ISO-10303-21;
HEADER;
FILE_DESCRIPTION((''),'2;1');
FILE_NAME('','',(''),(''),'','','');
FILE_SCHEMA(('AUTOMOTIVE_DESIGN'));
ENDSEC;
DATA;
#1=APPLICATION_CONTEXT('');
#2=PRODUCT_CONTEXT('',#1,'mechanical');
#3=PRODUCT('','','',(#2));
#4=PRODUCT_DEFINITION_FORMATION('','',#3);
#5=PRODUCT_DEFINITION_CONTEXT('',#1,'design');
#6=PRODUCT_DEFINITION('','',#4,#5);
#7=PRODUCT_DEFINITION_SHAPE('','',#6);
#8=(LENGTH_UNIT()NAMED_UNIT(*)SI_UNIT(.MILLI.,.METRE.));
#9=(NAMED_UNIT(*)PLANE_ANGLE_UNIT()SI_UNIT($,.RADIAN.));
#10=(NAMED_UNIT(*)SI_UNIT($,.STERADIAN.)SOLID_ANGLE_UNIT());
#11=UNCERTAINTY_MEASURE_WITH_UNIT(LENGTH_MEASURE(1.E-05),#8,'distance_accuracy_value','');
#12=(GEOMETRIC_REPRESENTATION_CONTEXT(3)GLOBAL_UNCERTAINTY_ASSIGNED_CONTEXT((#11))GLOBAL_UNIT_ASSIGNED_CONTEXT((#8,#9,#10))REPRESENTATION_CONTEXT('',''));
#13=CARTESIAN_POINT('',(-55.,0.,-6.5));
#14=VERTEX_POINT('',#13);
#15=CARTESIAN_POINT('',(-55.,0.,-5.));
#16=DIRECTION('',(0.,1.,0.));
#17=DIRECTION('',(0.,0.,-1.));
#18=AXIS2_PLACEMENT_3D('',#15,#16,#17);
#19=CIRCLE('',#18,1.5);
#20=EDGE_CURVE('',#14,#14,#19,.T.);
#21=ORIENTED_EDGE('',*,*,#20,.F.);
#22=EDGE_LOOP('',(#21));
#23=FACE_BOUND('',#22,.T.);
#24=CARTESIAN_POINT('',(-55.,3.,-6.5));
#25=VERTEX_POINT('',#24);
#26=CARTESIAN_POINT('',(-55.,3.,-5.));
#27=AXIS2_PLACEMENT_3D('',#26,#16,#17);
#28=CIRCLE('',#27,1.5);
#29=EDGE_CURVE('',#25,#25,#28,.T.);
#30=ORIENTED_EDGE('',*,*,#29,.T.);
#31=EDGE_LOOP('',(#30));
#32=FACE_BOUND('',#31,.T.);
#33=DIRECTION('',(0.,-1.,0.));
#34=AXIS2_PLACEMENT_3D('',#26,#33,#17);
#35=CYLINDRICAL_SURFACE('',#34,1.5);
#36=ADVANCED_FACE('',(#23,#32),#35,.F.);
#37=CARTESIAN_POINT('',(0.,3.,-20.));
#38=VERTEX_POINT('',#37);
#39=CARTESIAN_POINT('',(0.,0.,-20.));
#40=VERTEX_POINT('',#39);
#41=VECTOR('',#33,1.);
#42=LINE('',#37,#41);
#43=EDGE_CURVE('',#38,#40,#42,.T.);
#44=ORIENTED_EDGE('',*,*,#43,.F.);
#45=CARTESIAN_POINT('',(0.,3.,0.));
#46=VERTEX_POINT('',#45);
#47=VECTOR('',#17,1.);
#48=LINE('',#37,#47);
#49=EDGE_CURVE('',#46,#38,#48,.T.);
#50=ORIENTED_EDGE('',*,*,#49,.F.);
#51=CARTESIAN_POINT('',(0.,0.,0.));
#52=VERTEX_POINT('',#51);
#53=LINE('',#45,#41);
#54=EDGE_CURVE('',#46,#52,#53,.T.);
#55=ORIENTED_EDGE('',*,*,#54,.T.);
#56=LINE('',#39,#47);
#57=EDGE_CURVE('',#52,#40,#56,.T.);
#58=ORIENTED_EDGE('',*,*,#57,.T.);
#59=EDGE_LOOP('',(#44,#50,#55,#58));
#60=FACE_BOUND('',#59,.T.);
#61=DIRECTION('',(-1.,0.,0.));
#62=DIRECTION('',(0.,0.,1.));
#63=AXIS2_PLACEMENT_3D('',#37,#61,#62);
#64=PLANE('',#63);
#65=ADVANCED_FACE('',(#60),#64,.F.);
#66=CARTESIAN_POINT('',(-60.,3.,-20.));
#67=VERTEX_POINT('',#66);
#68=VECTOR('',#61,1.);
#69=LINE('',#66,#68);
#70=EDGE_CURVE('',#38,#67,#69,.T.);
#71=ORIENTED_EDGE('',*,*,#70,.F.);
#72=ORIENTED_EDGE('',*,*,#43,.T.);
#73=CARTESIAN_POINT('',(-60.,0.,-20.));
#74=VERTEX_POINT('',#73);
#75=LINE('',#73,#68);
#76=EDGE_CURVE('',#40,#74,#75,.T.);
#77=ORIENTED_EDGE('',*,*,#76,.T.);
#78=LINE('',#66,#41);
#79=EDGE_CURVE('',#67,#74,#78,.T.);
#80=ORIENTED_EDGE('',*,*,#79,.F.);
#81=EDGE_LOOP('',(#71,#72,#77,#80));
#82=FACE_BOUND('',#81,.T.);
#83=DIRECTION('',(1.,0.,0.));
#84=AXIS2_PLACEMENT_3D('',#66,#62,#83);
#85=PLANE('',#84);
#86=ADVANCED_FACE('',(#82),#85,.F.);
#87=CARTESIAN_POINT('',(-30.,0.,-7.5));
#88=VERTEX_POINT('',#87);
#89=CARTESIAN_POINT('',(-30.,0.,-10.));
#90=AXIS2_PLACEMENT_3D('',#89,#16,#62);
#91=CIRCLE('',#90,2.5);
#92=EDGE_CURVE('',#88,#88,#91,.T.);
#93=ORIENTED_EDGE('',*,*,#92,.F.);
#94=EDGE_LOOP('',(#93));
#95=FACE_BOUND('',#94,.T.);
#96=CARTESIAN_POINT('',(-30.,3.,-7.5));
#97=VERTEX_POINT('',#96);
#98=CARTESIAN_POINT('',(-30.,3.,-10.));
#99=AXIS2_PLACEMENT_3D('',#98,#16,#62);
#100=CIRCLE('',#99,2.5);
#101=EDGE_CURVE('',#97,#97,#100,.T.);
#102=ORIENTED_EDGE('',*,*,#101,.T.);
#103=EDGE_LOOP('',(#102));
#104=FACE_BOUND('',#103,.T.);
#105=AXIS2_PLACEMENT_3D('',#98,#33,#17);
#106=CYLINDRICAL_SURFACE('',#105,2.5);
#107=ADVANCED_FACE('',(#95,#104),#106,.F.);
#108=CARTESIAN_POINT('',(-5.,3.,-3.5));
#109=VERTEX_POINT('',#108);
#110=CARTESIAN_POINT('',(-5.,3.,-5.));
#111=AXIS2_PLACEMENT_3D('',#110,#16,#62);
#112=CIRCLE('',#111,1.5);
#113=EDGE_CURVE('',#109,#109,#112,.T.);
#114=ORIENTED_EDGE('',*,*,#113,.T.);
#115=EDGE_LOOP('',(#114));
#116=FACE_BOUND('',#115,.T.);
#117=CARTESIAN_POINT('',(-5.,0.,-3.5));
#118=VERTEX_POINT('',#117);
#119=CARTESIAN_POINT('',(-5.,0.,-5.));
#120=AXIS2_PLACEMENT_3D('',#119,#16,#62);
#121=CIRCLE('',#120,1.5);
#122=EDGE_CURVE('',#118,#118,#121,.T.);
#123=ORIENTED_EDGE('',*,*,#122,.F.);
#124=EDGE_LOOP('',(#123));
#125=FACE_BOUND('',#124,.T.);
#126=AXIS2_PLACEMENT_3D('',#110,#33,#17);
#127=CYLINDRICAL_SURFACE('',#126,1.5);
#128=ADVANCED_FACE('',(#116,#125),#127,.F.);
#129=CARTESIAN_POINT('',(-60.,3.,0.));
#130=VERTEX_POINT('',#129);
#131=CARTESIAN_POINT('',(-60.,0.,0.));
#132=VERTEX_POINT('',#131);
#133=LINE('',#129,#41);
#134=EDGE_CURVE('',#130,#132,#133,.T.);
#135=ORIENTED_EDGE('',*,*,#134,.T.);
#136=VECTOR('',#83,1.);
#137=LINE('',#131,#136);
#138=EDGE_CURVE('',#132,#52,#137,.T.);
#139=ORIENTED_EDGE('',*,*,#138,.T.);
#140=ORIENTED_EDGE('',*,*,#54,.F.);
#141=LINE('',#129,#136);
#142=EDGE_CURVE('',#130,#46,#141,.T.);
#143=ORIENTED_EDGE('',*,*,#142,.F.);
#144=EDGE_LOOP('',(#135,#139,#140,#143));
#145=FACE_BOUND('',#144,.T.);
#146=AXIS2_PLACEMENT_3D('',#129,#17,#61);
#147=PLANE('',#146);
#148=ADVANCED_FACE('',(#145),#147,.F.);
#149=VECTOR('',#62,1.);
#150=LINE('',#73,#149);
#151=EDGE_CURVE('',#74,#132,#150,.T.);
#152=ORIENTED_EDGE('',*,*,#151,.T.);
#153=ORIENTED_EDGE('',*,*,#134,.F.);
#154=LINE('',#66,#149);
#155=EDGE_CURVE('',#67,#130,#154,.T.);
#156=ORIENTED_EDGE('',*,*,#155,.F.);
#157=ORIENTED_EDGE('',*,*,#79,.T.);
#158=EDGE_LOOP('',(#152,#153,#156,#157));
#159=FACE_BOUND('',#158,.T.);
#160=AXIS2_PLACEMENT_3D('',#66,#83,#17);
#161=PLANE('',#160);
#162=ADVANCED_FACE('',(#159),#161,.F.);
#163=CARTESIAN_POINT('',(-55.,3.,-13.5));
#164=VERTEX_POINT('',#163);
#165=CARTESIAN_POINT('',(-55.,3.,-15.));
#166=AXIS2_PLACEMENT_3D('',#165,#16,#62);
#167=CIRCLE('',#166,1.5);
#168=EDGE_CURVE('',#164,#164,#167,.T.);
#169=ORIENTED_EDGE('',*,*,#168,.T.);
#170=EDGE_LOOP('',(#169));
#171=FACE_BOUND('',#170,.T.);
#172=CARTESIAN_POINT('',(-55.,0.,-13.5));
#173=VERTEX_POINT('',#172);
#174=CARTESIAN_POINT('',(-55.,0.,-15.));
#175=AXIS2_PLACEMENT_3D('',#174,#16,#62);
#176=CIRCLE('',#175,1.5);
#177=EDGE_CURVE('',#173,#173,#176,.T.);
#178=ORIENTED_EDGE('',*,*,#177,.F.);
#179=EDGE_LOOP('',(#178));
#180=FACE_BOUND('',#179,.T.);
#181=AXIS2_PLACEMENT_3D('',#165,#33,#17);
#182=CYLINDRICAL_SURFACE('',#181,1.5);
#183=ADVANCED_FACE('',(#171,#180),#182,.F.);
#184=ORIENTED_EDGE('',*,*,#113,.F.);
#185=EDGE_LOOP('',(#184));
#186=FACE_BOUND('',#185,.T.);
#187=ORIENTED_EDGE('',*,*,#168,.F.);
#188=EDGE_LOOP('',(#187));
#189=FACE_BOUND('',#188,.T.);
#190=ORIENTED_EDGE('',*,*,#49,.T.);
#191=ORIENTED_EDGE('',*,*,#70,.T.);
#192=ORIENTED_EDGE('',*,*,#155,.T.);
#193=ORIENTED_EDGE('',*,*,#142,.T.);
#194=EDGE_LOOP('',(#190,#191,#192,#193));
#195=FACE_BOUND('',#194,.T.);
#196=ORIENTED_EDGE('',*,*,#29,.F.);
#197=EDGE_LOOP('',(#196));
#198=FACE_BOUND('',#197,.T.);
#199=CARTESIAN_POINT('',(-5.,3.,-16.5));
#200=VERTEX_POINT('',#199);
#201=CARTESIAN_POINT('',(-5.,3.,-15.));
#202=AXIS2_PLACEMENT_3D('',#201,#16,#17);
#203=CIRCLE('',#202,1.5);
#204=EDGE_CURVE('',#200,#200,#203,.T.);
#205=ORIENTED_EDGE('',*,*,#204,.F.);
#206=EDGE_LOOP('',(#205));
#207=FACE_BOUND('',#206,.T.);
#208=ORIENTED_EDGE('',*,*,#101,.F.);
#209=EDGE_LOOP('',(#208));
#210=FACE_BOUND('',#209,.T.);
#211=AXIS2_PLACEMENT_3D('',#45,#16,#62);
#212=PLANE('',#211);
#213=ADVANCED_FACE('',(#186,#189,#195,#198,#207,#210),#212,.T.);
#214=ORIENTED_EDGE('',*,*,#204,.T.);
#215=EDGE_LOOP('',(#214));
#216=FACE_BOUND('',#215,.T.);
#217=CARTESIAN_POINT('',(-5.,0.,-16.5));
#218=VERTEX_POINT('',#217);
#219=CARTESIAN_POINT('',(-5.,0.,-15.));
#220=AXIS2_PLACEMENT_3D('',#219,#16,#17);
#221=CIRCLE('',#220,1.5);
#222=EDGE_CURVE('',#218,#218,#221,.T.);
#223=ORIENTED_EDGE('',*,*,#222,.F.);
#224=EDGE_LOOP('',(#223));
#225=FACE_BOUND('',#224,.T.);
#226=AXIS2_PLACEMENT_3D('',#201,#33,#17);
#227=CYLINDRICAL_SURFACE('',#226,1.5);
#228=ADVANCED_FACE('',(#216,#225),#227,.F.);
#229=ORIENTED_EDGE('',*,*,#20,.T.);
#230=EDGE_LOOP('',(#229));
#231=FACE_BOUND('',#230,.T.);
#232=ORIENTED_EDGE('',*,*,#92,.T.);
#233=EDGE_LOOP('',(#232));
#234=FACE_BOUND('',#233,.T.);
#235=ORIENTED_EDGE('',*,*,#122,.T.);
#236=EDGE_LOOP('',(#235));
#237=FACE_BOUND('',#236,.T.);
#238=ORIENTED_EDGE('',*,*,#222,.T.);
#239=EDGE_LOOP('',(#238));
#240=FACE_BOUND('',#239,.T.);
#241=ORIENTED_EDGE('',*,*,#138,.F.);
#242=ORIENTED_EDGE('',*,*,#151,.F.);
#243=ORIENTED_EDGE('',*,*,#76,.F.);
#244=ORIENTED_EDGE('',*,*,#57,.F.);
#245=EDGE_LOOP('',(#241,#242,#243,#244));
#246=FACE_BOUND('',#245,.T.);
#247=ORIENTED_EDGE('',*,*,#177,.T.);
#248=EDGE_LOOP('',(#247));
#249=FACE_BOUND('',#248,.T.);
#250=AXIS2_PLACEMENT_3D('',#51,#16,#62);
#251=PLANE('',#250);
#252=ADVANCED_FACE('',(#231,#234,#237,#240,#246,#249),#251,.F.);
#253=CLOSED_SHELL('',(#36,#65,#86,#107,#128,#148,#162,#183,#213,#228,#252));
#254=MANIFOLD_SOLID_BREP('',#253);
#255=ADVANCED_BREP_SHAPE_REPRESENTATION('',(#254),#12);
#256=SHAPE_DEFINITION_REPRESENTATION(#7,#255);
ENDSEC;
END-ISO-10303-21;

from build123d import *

# Parameters (mm, degrees)
SKETCH1_W           = 60
SKETCH1_H           = 20
SKETCH1_R           = 2.5
SKETCH1_R_2         = 1.5
BOSS_EXTRUDE1_DEPTH = 3


with BuildPart() as part:
    # Sketch1 → Boss-Extrude1 (new body)
    with BuildSketch(Plane(origin=(0, 0, 0), x_dir=(1, 0, 0), z_dir=(0, 1, 0))):
        with Locations((-30, 10)):
            Rectangle(SKETCH1_W, SKETCH1_H)
        with Locations(Location((-30, 10, 0), (0, 0, 270))):
            Circle(SKETCH1_R, mode=Mode.SUBTRACT)
        with Locations(Location((-55, 15, 0), (0, 0, 270))):
            Circle(SKETCH1_R_2, mode=Mode.SUBTRACT)
        with Locations(Location((-55, 5, 0), (0, 0, 90))):
            Circle(SKETCH1_R_2, mode=Mode.SUBTRACT)
        with Locations(Location((-5, 15, 0), (0, 0, 90))):
            Circle(SKETCH1_R_2, mode=Mode.SUBTRACT)
        with Locations(Location((-5, 5, 0), (0, 0, 270))):
            Circle(SKETCH1_R_2, mode=Mode.SUBTRACT)
    extrude(amount=BOSS_EXTRUDE1_DEPTH)


solid = part.part
